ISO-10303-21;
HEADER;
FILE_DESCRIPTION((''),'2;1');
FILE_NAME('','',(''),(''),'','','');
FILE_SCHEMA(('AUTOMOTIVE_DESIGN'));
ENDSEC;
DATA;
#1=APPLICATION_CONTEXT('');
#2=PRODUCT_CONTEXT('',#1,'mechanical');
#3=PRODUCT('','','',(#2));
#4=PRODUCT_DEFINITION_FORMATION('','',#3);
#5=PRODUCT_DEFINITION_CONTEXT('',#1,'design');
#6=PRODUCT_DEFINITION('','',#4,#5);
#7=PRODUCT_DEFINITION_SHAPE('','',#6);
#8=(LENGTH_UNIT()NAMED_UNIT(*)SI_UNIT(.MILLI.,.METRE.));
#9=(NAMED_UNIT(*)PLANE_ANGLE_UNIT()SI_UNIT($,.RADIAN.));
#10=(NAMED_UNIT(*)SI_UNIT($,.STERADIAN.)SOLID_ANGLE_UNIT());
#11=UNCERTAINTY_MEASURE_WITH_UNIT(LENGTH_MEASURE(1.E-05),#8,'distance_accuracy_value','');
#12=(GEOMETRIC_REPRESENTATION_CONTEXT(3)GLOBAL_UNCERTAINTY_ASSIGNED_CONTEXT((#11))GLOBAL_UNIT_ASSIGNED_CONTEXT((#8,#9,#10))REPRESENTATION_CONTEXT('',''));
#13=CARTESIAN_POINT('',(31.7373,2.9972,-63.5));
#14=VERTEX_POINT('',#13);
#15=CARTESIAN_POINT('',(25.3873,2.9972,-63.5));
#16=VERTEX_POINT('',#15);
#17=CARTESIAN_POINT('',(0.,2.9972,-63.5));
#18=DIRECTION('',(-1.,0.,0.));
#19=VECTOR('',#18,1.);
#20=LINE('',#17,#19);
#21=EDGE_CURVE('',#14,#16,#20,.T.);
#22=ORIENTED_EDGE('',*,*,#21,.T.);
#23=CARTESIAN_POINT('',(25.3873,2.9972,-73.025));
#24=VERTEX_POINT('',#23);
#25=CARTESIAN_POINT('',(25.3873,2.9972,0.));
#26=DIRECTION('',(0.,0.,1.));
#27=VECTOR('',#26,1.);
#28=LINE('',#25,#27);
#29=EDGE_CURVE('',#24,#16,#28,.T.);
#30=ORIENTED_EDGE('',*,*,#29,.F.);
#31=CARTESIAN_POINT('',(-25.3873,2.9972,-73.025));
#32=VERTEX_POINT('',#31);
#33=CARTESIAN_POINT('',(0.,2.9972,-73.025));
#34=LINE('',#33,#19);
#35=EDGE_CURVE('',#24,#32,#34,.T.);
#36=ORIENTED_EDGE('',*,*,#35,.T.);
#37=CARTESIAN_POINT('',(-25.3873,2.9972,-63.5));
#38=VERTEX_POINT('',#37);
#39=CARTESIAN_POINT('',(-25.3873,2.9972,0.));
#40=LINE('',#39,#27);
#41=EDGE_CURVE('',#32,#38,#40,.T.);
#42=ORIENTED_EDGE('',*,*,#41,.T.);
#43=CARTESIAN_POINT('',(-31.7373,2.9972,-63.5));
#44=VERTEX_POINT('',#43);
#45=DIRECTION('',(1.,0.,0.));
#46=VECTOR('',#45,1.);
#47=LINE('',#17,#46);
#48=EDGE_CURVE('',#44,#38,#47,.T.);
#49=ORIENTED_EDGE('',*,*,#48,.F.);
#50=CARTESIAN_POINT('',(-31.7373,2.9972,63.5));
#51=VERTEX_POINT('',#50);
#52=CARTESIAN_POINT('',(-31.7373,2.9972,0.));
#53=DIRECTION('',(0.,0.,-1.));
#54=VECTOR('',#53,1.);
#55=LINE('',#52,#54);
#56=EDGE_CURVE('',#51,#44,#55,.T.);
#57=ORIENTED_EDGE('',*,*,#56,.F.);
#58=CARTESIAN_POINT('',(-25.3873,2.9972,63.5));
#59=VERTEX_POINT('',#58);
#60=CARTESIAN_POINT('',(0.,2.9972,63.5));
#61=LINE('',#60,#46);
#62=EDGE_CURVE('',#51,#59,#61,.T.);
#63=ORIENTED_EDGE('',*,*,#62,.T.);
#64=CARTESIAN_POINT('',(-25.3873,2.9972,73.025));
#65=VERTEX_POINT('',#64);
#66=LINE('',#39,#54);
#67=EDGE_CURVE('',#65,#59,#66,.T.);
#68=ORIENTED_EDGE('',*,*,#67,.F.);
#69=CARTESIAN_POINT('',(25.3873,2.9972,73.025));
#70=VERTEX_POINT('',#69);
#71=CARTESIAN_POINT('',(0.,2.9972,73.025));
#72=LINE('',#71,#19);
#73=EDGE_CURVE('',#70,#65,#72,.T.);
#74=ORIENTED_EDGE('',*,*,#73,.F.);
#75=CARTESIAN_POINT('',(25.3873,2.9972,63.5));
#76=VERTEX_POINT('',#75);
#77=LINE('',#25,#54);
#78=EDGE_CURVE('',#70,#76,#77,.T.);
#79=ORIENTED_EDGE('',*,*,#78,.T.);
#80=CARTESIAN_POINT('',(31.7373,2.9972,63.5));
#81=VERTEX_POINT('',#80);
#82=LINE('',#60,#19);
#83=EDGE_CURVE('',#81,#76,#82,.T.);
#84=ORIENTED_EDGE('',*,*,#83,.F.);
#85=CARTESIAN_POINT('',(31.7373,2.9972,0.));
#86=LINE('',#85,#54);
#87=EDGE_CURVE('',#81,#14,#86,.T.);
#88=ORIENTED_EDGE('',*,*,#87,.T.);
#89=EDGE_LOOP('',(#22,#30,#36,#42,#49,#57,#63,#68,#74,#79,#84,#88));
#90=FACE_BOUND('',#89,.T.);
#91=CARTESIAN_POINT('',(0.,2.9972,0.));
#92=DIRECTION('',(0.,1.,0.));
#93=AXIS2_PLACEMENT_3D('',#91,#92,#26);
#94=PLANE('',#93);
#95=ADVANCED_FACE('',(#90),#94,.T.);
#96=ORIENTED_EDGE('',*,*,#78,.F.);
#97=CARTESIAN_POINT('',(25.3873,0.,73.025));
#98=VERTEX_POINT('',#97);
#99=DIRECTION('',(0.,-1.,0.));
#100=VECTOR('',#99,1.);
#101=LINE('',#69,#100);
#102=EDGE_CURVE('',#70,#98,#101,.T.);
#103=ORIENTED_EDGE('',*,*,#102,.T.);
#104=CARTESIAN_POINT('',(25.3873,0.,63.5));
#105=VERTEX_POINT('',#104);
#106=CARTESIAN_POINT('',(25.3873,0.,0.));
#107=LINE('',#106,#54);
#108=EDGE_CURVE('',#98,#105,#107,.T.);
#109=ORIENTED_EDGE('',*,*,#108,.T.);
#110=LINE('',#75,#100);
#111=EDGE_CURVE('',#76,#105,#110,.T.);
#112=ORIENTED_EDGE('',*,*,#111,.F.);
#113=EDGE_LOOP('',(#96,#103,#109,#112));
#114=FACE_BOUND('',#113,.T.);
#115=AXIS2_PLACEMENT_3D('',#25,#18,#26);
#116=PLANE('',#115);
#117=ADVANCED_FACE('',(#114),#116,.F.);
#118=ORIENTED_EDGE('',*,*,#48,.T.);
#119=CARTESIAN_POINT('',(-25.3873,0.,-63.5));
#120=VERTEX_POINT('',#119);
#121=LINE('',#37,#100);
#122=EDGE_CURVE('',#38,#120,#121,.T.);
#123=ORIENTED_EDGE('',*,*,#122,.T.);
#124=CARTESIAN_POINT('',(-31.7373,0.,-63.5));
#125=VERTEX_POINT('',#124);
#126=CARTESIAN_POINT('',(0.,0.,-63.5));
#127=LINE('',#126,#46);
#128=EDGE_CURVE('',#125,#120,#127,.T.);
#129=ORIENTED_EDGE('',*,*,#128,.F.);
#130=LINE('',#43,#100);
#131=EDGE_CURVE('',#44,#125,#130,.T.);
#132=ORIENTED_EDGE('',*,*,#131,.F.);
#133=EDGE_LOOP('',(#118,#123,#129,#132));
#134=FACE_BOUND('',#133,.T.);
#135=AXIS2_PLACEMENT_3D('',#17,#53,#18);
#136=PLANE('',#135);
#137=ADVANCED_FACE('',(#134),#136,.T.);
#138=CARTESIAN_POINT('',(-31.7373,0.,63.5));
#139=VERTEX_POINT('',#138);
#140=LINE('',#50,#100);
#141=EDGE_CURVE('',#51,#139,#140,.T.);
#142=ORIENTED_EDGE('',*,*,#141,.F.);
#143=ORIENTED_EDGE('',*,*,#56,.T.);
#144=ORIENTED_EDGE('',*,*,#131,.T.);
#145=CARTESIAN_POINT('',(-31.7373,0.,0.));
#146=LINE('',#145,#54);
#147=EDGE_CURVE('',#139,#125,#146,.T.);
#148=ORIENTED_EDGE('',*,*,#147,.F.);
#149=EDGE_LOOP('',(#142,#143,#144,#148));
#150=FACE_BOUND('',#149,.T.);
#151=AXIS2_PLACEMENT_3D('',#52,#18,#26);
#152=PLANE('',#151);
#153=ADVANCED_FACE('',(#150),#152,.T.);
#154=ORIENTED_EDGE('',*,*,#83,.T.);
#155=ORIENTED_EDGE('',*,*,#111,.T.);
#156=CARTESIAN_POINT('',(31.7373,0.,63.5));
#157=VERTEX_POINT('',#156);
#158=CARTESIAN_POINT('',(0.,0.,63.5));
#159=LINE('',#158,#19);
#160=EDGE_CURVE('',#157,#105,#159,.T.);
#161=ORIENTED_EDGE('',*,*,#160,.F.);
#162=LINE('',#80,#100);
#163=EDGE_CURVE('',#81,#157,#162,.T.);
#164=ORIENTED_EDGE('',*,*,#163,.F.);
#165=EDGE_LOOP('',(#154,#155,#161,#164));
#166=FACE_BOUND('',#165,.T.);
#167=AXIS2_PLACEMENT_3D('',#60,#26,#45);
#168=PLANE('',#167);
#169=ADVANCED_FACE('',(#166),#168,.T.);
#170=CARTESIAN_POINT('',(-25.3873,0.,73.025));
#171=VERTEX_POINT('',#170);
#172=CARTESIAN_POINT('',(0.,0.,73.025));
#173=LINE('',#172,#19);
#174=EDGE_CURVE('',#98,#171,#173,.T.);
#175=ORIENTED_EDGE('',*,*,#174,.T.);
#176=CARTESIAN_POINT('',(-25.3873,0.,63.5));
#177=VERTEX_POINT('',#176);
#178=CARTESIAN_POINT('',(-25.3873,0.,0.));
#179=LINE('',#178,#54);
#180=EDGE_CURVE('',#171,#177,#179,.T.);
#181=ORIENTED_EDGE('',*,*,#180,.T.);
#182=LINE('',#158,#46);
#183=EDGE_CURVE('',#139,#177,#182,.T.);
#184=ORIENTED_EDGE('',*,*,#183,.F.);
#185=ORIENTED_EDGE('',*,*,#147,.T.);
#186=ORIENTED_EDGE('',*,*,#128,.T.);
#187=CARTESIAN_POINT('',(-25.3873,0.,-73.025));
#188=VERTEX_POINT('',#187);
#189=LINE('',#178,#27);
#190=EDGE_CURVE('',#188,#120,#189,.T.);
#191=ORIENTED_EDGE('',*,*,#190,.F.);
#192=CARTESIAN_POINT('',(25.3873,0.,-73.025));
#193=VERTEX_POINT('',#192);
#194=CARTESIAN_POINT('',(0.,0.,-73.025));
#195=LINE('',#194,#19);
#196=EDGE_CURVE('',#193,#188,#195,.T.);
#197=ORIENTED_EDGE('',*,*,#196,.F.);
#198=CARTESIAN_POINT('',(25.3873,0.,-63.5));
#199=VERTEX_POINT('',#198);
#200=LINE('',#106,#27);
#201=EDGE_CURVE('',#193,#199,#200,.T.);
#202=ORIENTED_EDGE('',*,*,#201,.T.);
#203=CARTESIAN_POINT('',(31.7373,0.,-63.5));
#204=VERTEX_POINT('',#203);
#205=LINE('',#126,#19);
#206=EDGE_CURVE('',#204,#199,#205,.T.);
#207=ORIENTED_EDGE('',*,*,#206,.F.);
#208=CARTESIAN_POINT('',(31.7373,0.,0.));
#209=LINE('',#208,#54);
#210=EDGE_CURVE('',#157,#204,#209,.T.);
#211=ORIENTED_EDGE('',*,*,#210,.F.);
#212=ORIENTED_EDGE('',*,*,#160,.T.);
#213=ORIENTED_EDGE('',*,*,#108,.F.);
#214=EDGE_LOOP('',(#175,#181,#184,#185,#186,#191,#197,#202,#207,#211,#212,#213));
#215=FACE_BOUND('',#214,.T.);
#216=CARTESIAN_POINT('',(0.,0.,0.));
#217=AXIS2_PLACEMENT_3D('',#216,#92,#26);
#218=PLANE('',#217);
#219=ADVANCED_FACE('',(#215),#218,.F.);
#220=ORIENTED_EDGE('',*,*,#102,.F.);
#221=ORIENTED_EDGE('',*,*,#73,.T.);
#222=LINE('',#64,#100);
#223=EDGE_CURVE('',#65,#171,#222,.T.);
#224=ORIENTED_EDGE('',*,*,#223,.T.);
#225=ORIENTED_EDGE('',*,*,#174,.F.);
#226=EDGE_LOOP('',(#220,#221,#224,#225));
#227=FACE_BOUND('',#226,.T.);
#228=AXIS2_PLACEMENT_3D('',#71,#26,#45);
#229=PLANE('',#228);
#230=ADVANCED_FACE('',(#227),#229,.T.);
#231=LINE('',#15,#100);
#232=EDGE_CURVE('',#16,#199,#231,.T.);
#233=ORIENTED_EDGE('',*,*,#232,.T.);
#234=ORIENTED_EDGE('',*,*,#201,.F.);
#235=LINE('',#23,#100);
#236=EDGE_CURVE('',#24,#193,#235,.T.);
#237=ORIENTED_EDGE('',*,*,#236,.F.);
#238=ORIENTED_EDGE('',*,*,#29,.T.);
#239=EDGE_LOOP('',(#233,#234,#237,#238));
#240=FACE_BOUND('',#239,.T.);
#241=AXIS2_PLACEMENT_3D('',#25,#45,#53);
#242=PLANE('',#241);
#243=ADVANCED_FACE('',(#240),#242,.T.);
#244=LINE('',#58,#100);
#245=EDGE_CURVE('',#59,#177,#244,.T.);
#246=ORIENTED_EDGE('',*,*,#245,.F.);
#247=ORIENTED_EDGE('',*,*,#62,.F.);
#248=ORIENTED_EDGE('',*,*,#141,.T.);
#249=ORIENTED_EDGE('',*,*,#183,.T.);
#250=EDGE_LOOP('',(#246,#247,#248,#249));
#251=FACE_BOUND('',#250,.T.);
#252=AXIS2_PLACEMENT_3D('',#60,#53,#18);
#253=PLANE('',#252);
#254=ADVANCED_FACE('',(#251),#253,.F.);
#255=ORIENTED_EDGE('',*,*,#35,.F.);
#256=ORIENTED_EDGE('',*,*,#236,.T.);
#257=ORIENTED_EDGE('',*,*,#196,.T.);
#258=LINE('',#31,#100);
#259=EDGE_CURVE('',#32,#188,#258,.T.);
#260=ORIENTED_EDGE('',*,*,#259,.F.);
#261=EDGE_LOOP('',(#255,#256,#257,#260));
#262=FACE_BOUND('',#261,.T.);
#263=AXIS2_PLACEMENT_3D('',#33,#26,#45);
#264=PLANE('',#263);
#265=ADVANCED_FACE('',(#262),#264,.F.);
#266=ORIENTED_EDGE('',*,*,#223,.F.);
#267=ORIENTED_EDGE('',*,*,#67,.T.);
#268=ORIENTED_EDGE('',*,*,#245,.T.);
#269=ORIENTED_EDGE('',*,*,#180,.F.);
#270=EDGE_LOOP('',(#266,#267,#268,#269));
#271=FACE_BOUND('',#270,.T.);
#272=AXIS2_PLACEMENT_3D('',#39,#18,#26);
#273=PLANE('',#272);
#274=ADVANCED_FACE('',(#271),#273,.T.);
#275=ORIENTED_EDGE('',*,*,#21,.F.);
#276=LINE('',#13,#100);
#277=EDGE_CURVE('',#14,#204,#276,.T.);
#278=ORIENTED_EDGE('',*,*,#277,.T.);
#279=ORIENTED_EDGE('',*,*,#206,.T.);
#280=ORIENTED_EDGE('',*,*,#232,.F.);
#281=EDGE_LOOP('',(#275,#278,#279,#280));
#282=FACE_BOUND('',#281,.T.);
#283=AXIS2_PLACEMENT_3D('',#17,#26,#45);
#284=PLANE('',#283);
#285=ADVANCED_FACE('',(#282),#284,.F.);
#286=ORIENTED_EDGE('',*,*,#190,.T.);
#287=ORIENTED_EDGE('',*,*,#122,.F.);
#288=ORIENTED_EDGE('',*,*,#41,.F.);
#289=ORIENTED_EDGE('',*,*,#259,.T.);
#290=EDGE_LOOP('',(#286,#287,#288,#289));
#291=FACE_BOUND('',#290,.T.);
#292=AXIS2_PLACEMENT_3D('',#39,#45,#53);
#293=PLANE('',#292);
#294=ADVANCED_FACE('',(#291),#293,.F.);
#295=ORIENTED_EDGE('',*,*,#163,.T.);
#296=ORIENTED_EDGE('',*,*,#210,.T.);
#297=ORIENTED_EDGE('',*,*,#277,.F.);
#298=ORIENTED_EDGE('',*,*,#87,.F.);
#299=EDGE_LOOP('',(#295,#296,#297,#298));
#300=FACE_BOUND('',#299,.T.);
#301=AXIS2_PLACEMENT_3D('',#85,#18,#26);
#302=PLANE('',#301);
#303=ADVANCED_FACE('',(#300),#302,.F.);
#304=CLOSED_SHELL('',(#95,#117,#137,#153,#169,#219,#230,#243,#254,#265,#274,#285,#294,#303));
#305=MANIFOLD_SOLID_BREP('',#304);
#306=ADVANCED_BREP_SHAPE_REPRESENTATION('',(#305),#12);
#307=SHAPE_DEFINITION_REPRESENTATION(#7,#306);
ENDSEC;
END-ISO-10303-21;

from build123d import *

# Parameters (mm, degrees)
BOSS_EXTRUDE1_DEPTH = 2.9972


with BuildPart() as part:
    # Sketch1 → Boss-Extrude1 (new body)
    with BuildSketch(Plane(origin=(0, 0, 0), x_dir=(1, 0, 0), z_dir=(0, 1, 0))):
        Polygon((-25.3873, -73.025), (25.3873, -73.025), (25.3873, -63.5), (31.7373, -63.5), (31.7373, 63.5), (25.3873, 63.5), (25.3873, 73.025), (-25.3873, 73.025), (-25.3873, 63.5), (-31.7373, 63.5), (-31.7373, -63.5), (-25.3873, -63.5), align=None)
    extrude(amount=BOSS_EXTRUDE1_DEPTH)


solid = part.part
